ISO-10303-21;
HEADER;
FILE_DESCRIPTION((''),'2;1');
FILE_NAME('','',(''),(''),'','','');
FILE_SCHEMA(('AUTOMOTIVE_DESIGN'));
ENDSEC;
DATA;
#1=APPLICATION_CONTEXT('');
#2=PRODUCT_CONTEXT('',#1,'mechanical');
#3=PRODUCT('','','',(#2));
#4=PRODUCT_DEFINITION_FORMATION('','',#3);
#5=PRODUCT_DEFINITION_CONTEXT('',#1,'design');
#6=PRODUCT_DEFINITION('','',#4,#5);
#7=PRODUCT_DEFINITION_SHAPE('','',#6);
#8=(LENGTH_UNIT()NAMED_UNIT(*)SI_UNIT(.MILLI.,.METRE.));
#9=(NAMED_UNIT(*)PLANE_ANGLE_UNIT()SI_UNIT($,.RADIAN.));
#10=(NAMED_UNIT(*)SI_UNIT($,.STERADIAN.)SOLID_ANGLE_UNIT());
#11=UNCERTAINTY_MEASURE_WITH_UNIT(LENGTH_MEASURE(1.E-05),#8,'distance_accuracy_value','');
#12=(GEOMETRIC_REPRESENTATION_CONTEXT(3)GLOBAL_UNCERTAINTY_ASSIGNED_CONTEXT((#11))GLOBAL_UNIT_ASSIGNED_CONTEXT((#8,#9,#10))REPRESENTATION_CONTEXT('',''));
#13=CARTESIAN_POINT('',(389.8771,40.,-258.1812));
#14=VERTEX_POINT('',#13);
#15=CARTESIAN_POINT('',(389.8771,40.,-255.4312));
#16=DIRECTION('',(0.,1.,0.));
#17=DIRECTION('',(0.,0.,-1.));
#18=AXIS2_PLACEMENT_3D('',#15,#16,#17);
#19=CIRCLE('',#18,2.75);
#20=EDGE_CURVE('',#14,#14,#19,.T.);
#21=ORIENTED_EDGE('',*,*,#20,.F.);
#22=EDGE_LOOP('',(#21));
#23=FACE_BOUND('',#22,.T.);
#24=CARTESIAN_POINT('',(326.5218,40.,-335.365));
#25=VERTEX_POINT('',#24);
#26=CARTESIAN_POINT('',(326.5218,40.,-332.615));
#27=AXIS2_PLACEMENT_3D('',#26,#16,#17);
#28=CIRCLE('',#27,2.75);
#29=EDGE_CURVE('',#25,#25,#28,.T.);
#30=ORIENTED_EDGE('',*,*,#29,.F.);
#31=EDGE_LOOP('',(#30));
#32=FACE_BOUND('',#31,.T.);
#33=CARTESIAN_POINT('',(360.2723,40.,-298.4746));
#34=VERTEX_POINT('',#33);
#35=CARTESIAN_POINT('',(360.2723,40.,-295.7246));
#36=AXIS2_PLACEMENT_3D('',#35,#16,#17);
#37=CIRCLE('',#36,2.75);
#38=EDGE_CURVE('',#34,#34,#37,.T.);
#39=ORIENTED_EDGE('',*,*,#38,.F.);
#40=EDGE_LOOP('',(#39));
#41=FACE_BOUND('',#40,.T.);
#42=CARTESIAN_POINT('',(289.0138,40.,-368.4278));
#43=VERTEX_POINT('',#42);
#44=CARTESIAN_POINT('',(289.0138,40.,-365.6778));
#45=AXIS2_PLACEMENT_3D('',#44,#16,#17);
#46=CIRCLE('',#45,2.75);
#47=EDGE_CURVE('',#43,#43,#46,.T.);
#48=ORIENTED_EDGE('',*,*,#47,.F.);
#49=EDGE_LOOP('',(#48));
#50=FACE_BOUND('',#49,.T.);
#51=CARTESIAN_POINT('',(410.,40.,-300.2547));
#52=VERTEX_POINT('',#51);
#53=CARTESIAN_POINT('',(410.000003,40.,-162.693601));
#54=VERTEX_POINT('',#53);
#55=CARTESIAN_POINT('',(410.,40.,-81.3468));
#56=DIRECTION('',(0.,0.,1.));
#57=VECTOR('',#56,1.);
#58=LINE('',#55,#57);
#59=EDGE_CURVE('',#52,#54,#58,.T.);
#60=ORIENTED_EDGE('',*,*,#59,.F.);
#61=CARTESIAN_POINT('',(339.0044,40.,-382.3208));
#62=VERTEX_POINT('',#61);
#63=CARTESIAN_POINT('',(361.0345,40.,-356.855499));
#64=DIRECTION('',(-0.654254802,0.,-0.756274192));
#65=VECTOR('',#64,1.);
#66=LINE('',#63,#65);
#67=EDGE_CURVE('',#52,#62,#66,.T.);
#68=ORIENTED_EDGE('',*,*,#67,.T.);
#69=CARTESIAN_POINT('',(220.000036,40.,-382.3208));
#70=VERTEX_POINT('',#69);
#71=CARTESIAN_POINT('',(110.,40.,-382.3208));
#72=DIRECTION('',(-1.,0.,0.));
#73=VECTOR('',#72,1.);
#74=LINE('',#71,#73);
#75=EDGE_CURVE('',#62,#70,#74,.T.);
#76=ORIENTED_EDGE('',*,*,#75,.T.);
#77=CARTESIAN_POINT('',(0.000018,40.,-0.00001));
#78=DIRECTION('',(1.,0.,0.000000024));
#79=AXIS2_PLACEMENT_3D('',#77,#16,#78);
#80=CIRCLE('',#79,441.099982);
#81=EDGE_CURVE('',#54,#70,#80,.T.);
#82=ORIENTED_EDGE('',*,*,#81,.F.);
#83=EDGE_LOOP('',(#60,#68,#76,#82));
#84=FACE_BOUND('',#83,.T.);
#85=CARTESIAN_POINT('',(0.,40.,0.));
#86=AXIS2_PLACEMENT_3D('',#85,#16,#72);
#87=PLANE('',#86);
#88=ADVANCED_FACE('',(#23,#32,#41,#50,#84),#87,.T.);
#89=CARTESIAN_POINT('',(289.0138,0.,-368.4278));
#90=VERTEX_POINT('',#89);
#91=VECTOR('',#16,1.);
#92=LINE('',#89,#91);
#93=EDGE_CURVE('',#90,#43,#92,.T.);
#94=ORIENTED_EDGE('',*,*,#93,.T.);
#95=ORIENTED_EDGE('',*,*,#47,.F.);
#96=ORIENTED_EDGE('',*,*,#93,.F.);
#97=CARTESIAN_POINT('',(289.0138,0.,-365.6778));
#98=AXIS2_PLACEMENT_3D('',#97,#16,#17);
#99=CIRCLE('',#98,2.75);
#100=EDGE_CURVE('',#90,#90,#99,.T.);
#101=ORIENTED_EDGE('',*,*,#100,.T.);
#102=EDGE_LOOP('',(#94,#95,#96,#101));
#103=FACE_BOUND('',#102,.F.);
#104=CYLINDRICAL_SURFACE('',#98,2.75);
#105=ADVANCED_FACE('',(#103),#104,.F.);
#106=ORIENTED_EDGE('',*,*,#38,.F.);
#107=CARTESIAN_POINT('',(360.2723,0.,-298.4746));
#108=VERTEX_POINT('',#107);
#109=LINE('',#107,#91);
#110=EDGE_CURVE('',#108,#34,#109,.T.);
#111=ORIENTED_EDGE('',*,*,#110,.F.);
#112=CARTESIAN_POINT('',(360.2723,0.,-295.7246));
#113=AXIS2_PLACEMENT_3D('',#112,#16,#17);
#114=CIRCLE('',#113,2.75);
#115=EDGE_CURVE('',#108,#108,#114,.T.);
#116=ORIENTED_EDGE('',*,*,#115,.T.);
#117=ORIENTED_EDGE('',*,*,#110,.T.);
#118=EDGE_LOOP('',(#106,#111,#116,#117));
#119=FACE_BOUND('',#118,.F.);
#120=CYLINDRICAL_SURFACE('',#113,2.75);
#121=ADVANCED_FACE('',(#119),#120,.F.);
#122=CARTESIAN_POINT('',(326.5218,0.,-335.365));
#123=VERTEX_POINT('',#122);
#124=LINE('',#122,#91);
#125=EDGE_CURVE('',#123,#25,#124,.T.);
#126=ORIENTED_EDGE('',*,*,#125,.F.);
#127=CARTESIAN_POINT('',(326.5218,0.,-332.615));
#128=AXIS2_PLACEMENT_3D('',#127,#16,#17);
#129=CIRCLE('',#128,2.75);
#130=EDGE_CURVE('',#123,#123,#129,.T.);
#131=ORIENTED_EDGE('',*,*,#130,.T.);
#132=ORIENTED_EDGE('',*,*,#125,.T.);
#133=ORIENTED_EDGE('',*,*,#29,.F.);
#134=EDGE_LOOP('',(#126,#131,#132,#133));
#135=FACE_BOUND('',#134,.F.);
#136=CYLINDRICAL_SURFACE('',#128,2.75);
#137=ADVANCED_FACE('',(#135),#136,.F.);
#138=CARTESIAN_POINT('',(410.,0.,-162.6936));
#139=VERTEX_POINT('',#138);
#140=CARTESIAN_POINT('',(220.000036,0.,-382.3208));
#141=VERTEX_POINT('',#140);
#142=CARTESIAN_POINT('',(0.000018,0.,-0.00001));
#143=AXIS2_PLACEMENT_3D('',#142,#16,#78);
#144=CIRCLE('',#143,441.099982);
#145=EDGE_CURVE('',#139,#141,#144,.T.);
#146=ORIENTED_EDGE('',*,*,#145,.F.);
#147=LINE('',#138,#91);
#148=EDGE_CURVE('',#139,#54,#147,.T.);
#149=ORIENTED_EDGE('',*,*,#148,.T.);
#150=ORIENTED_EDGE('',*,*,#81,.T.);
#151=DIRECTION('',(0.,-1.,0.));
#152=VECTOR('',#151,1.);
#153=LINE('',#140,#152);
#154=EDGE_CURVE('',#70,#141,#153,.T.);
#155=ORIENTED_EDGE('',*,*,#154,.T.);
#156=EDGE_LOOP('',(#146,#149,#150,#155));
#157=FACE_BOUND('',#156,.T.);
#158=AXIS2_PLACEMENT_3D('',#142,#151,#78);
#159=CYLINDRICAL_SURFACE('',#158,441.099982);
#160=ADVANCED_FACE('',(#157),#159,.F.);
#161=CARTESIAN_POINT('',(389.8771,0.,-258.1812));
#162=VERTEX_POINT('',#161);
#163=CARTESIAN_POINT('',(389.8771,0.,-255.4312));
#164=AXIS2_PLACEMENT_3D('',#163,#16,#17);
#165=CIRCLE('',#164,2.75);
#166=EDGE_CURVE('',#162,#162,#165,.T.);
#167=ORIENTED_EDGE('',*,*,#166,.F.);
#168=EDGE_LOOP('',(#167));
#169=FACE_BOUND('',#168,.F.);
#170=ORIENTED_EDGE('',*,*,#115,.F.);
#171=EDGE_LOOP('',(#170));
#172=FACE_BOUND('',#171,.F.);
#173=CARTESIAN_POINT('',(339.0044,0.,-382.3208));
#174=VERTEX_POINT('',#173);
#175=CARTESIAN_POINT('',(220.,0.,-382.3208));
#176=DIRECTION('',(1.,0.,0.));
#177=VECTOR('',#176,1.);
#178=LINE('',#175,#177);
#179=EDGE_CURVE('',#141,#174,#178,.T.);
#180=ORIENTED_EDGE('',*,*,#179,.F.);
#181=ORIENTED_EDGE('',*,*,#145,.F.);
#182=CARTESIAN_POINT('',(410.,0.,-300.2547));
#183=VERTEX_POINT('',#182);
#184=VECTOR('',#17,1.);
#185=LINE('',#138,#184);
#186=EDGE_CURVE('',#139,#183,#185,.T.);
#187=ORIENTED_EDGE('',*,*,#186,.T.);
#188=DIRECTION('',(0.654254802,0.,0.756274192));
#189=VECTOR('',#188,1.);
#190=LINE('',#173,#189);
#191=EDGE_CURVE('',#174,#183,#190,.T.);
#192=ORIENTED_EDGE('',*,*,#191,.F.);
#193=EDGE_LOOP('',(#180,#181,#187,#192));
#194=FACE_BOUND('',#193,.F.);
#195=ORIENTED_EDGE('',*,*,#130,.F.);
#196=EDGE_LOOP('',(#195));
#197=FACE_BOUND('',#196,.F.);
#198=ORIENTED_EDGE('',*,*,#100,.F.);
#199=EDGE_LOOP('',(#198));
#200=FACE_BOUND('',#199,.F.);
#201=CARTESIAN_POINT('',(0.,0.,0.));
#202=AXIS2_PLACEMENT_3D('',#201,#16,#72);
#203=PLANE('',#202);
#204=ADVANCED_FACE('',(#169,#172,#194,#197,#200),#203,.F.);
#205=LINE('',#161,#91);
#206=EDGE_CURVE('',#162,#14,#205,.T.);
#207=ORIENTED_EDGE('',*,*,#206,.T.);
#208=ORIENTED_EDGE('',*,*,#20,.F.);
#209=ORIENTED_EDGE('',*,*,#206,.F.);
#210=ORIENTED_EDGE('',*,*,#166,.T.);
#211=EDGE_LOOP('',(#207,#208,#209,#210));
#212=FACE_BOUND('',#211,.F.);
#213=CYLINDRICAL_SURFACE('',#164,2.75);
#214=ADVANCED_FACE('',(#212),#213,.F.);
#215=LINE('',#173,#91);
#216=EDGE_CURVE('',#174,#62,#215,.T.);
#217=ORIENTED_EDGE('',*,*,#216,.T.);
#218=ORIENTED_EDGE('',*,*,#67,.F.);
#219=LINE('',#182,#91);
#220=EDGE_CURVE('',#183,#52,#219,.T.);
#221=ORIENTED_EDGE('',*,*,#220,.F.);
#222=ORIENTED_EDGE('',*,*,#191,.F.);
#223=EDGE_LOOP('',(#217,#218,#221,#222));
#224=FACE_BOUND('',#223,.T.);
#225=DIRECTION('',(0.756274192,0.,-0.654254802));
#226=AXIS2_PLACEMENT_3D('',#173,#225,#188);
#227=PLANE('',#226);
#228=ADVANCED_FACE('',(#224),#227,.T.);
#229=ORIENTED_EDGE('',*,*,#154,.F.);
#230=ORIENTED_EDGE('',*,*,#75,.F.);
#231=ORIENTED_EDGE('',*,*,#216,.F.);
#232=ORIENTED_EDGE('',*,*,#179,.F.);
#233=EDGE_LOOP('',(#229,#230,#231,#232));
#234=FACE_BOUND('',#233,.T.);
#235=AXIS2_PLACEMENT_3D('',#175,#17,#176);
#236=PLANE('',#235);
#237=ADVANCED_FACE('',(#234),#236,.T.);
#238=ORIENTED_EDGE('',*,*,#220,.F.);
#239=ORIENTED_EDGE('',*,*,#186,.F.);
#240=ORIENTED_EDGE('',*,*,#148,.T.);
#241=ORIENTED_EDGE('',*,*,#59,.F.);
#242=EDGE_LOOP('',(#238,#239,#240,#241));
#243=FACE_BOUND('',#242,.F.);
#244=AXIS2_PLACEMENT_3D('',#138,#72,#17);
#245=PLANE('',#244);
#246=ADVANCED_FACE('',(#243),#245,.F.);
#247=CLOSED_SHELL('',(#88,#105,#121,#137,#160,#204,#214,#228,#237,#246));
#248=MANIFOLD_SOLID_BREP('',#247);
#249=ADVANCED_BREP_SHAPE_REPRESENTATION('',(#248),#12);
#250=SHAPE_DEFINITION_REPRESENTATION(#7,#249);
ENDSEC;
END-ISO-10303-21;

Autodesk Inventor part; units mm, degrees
ref_plane "YZ Plane" through (0, 0, 0) normal (1, 0, 0) x (0, 1, 0)
ref_plane "XZ Plane" through (0, 0, 0) normal (0, 1, 0) x (-1, 0, 0)
ref_plane "XY Plane" through (0, 0, 0) normal (0, 0, 1) x (1, 0, 0)
sketch "Sketch1" plane through (0, 0, 0) normal (0, 1, 0) x (-1, 0, 0)
  line L0 (0, 329.241) -> (0, -329.241) construction
  line L1 (203.5937, 0) -> (-203.5937, 0) construction
  arc A0 (-441.1, 0) -> (220, -382.3208) centre (0, 0) ccw
  line L2 (-441.1, 0) -> (-441.1, 400)
  line L3 (-441.1, 400) -> (-500, 400)
  line L4 (-500, 400) -> (-500, -500)
  line L5 (-500, -500) -> (220, -500)
  line L6 (220, -500) -> (220, -382.3208)
  dimension "d0" = 500
  dimension "d1" = 400
  dimension "d2" = 500
  dimension "d3" = 441.1
  dimension "d4" = 720
extrude "Extrusion1" add sketch "Sketch1" along normal blind 40
sketch "Sketch3" plane through (0, 0, 0) normal (0, -1, 0) x (1, 0, 0)
  line L0 (339.0044, -382.3208) -> (410, -300.2547)
  line L1 (410, -162.6936) -> (220, -382.3208)
  arc A0 (-220, -382.3208) -> (441.1, 0) centre (0, 0) ccw projected
  line L2 (500, 400) -> (500, -500) projected
  line L3 (-595.7823, 565.809) -> (852.8514, 565.809)
  line L4 (852.8514, 565.809) -> (852.8514, -851.0184)
  line L5 (852.8514, -851.0184) -> (-595.7823, -851.0184)
  line L6 (-595.7823, -851.0184) -> (-595.7823, 565.809)
  line L7 (220, -382.3208) -> (339.0044, -382.3208)
  line L8 (410, -162.6936) -> (410, -300.2547)
  dimension "d71" = 90
  dimension "d75" = 90
  dimension "d76" = 290.4068
sketch "Sketch4" plane through (0, 0, 0) normal (0, -1, 0) x (1, 0, 0)
  line L0 (441.1, 400) -> (500, 400) construction
  line L1 (441.1, 0) -> (441.1, 400) construction
  arc A0 (-220, -382.3208) -> (441.1, 0) centre (0, 0) ccw construction
  line L2 (464.3817, -39.9852) -> (0, 0) construction
  line L3 (0, 0) -> (445.1648, -138.1214) construction
  line L4 (423.7332, -194.1633) -> (0, 0) construction
  line L5 (360.2723, -295.7246) -> (0, 0) construction
  line L6 (289.0138, -365.6778) -> (0, 0) construction
  line L7 (389.8771, -255.4312) -> (0, 0) construction
  line L8 (326.5218, -332.615) -> (0, 0) construction
  line L9 (230.9911, -404.8361) -> (0, 0) construction
  line L10 (139.32, -444.7911) -> (0, 0) construction
  line L11 (41.2359, -464.2723) -> (0, 0) construction
  line L12 (464.3817, -39.9852) -> (445.1648, -138.1214) construction
  line L13 (445.1648, -138.1214) -> (423.7332, -194.1633) construction
  line L14 (423.7332, -194.1633) -> (389.8771, -255.4312) construction
  line L15 (389.8771, -255.4312) -> (360.2723, -295.7246) construction
  line L16 (360.2723, -295.7246) -> (326.5218, -332.615) construction
  line L17 (326.5218, -332.615) -> (289.0138, -365.6778) construction
  line L18 (289.0138, -365.6778) -> (230.9911, -404.8361) construction
  line L19 (230.9911, -404.8361) -> (139.32, -444.7911) construction
  line L20 (139.32, -444.7911) -> (41.2359, -464.2723) construction
  line L21 (-58.7462, -462.3831) -> (0, 0) construction
  line L22 (-156.0243, -439.2102) -> (0, 0) construction
  line L23 (-200, -421.0098) -> (0, 0) construction
  line L24 (41.2359, -464.2723) -> (-58.7462, -462.3831) construction
  line L25 (-58.7462, -462.3831) -> (-156.0243, -439.2102) construction
  line L26 (-200, -421.0098) -> (-156.0243, -439.2102) construction
  line L27 (-220, -500) -> (-220, -382.3208) construction
  point P0 (466.1, 360)
  point P1 (466.1, 260)
  point P2 (466.1, 160)
  point P3 (466.1, 60)
  dimension "d50" = 40
  dimension "d51" = 100
  dimension "d52" = 100
  dimension "d53" = 100
  dimension "d54" = 25
  dimension "d55" = 466.1
  dimension "d56" = 100
  dimension "d57" = 100
  dimension "d58" = 60
  dimension "d59" = 70
  dimension "d60" = 50
  dimension "d61" = 70
  dimension "d62" = 100
  dimension "d63" = 20
hole "Hole1" at (-200, 0, -421.0098) at (-156.0243, 0, -439.2102) at (-58.7462, 0, -462.3831) at (41.2359, 0, -464.2723) at (139.32, 0, -444.7911) at (230.9911, 0, -404.8361) at (289.0138, 0, -365.6778) at (326.5218, 0, -332.615) at (360.2723, 0, -295.7246) at (389.8771, 0, -255.4312) at (423.7332, 0, -194.1633) at (445.1648, 0, -138.1214) at (464.3817, 0, -39.9852) at (466.1, 0, 60) at (466.1, 0, 160) at (466.1, 0, 260) at (466.1, 0, 360) direction (0, 1, 0) diameter 5.5 end through all clearance for "Countersunk Flat Head Screw DIN EN ISO 2009" size "M5" standard "DIN"
extrude "Extrusion2" cut sketch "Sketch3" against normal through all
properties part number "boundaryV1"
